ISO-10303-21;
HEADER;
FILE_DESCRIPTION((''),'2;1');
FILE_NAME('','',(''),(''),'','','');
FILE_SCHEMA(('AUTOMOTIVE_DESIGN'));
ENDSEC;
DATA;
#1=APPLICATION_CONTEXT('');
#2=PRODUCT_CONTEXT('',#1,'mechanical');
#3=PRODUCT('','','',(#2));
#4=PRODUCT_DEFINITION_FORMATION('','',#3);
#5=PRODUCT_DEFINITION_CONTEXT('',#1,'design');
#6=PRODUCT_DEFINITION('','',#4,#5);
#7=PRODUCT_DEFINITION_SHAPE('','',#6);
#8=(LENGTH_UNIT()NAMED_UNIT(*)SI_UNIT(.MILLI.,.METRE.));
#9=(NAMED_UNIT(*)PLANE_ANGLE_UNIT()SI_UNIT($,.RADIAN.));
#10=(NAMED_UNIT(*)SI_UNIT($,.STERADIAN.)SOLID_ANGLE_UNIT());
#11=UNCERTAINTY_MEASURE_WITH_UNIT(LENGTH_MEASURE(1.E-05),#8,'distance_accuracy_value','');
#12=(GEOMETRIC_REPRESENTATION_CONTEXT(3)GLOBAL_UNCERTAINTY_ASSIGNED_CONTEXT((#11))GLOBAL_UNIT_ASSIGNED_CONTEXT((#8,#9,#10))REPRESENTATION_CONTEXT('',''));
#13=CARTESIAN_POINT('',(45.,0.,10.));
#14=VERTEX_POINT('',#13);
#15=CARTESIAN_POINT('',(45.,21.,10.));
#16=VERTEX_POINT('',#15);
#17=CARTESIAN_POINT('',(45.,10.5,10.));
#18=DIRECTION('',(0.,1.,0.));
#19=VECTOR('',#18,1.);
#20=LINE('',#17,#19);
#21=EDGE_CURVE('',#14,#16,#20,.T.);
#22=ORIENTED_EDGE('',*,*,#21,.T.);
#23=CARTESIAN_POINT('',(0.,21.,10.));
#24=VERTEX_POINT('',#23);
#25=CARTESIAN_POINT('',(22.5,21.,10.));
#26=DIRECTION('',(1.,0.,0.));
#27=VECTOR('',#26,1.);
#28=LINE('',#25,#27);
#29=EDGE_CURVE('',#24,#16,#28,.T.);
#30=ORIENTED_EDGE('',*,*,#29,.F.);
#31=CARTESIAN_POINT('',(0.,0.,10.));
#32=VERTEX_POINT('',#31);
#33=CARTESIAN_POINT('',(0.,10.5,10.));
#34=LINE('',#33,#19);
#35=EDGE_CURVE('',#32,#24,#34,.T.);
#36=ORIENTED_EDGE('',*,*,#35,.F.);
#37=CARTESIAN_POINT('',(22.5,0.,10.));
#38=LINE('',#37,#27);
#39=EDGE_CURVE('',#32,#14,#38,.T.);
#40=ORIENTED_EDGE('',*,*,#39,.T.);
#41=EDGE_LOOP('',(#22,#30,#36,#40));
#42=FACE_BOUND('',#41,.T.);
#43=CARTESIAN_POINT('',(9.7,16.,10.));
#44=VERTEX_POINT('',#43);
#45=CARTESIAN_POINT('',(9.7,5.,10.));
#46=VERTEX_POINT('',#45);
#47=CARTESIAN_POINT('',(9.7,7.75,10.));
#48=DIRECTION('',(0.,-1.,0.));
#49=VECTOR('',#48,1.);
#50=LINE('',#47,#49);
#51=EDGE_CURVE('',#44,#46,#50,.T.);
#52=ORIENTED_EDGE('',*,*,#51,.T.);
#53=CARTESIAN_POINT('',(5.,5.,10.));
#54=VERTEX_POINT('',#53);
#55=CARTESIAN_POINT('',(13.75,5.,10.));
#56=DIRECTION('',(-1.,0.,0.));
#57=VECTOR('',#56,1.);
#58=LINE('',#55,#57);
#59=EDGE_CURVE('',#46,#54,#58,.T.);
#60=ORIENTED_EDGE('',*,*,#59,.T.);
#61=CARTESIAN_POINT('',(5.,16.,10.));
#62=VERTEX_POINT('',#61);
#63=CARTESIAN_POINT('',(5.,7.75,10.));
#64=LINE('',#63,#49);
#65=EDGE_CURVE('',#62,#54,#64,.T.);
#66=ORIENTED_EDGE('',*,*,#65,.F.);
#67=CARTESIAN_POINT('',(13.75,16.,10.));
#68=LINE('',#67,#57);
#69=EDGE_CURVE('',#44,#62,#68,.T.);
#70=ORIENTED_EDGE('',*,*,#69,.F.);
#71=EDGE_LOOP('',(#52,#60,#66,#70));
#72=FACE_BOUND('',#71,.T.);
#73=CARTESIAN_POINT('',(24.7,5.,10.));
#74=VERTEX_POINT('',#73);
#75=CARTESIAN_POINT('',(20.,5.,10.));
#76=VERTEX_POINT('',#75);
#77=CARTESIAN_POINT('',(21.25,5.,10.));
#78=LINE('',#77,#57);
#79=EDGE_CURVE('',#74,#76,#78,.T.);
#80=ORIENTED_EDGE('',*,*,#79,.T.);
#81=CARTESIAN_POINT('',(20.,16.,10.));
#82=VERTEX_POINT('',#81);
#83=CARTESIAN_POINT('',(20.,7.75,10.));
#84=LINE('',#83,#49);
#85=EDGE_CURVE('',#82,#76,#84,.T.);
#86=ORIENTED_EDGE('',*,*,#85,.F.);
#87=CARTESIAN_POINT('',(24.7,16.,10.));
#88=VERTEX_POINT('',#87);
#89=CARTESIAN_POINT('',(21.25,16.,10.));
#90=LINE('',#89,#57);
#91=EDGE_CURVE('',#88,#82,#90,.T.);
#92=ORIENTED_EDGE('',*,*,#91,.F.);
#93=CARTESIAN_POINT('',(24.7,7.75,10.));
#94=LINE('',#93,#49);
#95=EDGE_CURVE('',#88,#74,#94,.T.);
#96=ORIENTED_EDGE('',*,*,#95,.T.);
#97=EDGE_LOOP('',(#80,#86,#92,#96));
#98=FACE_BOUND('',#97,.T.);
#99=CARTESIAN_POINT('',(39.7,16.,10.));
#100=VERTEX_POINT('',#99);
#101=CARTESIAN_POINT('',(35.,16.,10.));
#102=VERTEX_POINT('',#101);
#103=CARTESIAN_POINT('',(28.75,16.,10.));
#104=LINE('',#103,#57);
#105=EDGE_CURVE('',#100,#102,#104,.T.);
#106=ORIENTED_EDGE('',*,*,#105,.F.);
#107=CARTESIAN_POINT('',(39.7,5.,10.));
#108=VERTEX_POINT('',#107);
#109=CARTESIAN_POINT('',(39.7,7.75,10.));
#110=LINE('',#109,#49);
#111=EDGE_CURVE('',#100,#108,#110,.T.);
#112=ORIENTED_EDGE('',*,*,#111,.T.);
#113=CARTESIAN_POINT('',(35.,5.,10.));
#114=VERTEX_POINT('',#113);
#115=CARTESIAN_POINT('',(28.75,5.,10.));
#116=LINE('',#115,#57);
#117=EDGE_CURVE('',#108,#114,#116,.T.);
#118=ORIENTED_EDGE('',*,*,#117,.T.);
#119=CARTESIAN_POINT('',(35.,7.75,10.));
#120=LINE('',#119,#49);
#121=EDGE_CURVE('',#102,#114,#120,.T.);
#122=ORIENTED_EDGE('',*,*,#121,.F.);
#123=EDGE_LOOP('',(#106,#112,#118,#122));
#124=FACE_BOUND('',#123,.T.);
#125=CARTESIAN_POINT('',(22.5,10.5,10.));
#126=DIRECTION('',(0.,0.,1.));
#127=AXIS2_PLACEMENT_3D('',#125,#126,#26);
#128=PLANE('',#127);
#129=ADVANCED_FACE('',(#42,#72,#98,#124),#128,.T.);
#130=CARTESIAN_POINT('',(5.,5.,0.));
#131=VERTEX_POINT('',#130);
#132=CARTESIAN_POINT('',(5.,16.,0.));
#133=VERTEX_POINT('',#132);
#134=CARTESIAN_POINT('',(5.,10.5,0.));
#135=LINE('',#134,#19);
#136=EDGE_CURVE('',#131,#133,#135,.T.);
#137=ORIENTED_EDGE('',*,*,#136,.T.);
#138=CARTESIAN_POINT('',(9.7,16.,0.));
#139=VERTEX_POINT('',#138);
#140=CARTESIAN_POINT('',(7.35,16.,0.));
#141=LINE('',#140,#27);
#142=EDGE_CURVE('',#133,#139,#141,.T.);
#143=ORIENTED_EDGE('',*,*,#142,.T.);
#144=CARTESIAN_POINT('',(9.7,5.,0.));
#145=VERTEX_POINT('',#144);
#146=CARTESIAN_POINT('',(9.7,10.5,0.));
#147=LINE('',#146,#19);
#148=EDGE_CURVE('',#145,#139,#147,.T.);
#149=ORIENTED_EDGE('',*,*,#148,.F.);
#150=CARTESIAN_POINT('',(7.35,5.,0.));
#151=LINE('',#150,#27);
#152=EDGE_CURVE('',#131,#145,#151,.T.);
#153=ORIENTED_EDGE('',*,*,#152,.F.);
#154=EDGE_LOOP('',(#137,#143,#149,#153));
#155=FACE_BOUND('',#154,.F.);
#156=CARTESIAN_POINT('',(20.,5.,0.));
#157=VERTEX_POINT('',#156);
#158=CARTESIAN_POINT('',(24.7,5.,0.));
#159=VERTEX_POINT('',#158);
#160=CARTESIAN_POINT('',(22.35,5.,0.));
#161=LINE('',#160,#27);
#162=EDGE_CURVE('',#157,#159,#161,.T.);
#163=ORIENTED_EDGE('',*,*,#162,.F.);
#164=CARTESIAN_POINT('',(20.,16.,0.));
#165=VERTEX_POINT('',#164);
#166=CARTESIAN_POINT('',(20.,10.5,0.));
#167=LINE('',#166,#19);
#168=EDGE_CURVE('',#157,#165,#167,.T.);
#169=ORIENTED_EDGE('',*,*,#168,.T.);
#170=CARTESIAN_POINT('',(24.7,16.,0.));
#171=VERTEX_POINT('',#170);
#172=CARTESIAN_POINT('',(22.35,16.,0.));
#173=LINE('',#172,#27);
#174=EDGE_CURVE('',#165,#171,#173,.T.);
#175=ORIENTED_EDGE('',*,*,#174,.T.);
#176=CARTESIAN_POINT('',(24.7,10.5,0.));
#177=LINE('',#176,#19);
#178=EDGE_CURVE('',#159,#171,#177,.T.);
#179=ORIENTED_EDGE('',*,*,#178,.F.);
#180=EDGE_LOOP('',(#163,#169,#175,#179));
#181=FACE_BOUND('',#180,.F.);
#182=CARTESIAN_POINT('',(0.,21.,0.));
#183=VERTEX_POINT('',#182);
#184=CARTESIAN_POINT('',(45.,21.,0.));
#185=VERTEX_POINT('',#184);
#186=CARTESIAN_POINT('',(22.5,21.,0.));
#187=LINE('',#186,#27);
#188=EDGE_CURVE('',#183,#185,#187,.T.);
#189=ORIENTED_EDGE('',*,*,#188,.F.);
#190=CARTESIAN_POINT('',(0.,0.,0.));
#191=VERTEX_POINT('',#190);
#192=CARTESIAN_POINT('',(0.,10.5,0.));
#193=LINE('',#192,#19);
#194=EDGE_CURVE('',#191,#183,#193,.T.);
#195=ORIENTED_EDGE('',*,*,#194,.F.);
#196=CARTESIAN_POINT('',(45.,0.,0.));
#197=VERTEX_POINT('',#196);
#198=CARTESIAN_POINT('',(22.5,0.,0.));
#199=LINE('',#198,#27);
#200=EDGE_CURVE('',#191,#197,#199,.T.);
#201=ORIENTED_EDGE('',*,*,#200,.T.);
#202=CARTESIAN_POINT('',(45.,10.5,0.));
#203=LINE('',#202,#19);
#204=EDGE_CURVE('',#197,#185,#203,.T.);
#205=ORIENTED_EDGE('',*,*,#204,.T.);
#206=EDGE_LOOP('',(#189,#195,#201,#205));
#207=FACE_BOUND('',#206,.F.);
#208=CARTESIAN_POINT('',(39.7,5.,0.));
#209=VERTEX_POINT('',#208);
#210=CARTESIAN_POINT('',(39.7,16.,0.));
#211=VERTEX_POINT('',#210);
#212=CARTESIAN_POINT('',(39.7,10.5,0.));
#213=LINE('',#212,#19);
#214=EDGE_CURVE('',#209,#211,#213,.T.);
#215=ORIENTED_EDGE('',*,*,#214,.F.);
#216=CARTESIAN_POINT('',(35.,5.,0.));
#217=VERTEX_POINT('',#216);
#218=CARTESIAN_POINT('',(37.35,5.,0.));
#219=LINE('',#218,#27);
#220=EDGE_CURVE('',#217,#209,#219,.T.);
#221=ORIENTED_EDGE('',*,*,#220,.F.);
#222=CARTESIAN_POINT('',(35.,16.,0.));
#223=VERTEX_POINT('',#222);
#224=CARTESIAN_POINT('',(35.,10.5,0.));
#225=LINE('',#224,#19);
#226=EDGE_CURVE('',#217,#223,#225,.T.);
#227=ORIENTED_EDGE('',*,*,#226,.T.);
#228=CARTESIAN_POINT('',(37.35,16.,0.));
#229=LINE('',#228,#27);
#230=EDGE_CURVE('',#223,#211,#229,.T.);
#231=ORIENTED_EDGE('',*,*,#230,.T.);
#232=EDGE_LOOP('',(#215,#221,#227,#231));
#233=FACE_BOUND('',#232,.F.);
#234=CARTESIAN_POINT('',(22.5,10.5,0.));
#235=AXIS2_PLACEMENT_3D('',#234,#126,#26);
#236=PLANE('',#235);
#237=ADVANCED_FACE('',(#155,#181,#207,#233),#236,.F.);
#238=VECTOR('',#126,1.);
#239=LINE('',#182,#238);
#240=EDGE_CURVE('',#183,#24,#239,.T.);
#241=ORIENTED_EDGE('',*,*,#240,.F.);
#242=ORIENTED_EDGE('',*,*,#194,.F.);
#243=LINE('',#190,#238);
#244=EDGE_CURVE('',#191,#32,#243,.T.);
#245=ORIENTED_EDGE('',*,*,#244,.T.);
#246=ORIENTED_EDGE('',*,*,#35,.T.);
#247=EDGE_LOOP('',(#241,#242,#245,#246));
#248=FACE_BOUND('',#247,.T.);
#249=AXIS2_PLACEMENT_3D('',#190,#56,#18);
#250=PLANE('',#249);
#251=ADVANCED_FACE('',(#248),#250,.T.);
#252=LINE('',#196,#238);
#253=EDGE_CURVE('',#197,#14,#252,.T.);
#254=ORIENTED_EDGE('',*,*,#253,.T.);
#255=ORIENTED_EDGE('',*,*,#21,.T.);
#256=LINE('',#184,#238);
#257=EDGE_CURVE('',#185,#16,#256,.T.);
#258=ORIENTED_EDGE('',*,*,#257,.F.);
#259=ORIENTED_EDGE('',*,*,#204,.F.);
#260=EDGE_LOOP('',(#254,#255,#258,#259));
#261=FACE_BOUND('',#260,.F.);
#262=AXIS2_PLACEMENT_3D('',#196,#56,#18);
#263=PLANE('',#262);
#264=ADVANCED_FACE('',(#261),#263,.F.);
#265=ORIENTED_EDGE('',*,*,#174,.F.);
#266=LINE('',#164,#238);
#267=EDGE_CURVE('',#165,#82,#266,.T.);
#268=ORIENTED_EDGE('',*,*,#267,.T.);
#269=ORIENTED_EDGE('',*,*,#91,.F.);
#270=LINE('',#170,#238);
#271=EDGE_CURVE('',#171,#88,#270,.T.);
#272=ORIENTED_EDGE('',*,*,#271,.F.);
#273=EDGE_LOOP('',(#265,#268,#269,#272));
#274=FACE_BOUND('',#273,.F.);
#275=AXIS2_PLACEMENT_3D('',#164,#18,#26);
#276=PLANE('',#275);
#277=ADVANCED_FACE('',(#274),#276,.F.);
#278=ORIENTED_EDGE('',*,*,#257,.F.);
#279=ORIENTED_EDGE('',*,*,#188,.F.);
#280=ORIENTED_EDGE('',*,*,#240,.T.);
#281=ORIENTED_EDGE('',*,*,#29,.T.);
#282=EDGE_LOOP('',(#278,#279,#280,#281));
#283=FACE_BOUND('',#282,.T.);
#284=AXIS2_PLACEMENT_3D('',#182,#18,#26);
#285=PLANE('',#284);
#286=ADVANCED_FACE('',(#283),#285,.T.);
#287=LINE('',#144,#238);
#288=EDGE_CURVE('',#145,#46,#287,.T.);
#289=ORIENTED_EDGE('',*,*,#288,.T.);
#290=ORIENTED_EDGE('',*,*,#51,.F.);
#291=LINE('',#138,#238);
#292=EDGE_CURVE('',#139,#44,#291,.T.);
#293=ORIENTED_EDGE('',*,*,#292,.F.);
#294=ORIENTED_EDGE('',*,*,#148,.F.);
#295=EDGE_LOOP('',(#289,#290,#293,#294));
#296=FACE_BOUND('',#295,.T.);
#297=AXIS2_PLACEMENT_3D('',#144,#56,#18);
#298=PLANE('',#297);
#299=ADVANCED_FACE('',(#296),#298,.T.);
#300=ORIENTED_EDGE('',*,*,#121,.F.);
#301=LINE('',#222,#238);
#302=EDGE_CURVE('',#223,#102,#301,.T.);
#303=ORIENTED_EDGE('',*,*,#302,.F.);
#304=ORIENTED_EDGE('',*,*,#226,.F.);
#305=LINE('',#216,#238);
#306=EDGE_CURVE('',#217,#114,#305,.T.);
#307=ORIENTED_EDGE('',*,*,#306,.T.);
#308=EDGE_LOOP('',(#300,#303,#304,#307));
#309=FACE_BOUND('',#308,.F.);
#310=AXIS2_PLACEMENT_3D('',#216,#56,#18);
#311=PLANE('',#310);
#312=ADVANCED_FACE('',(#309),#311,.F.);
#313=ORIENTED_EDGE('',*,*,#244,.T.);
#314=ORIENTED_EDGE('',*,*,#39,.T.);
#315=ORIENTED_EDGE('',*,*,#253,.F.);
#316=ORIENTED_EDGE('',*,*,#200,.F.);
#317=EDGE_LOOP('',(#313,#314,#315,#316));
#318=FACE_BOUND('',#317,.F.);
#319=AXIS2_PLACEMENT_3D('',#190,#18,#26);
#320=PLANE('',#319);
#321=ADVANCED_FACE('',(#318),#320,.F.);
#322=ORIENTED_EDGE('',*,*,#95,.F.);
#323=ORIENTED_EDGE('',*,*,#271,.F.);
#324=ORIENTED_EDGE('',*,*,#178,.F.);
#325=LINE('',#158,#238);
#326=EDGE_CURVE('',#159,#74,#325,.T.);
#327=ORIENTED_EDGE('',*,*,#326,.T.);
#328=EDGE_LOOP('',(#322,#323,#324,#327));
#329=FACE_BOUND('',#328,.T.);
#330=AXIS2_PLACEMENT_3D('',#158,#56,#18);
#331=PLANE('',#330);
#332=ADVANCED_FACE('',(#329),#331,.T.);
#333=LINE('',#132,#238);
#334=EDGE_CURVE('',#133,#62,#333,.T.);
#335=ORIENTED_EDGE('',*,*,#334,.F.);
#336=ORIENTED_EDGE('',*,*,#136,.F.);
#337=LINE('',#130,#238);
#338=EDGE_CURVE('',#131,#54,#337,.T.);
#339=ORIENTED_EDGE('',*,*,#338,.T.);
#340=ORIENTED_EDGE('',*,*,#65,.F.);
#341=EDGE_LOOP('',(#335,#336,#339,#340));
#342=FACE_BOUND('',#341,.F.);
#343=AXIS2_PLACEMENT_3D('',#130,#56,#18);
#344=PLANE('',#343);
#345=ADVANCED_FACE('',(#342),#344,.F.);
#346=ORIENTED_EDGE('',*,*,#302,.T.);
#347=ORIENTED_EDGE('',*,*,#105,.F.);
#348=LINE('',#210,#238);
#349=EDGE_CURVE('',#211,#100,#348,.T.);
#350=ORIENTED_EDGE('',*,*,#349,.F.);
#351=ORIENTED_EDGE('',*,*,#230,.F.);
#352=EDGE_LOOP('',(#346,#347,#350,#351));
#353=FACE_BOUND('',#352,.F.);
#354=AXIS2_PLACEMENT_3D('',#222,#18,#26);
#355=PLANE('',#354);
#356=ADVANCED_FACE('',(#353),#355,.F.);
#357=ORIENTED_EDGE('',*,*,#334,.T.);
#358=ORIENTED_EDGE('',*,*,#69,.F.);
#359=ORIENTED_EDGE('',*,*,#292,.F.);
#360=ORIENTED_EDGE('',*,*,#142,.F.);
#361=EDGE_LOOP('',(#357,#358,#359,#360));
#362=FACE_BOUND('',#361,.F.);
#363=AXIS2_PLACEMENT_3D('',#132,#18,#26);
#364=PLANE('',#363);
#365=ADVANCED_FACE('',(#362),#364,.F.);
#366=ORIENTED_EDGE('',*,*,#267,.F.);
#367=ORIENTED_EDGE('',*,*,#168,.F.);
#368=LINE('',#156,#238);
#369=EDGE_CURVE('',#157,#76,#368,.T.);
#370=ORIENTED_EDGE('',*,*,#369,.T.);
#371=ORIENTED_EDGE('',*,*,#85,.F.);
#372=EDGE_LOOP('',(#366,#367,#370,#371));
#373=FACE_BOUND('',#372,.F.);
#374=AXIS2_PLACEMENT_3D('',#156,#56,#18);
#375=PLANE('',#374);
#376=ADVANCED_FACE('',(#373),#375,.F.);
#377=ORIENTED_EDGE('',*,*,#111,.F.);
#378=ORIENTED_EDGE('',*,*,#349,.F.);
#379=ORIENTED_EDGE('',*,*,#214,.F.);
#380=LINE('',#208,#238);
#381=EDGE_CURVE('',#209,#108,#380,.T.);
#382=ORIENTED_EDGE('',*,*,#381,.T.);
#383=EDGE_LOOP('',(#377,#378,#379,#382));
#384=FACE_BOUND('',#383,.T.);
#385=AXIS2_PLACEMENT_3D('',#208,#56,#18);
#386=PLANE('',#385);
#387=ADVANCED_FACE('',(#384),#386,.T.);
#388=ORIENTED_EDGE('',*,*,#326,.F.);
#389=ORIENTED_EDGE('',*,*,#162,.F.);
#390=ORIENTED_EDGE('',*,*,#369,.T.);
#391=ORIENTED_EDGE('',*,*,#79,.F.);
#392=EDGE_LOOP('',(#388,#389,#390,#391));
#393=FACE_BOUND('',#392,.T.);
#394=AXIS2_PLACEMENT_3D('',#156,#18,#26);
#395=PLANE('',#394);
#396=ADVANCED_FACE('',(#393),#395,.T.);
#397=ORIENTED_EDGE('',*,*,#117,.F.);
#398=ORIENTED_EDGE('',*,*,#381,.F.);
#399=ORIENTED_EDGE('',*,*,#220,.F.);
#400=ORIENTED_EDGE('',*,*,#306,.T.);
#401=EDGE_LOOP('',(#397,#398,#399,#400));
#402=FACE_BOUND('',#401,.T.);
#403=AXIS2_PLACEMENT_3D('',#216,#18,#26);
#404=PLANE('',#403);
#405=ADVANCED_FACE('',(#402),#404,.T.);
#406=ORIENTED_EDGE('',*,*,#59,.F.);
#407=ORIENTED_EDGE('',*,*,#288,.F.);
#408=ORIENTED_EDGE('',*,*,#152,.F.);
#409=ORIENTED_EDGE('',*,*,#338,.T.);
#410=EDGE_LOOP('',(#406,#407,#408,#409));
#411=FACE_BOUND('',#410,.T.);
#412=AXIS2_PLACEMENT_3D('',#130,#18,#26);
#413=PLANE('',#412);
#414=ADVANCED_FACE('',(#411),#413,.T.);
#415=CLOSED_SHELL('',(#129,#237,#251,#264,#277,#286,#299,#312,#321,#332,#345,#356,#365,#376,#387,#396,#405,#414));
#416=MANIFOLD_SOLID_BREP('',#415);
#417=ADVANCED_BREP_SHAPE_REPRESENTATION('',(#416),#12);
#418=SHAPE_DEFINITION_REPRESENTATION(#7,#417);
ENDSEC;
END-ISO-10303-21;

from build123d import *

# Parameters (mm, degrees)
BOX_W        = 4.7
BOX_H        = 11
BOX_DEPTH    = 12
BOX002_W     = 4.7
BOX002_H     = 11
BOX002_DEPTH = 12
BOX001_W     = 4.7
BOX001_H     = 11
BOX001_DEPTH = 12
BOX003_W     = 45
BOX003_H     = 21
BOX003_DEPTH = 10


with BuildPart() as ranura1:
    # Box → Box (new body)
    with BuildSketch(Plane.XY):
        with Locations((2.35, 5.5)):
            Rectangle(BOX_W, BOX_H)
    extrude(amount=BOX_DEPTH)


with BuildPart() as ranura003:
    # Box002 → Box002 (new body)
    with BuildSketch(Plane(origin=(30, 0, 0), x_dir=(1, 0, 0), z_dir=(0, 0, 1))):
        with Locations((2.35, 5.5)):
            Rectangle(BOX002_W, BOX002_H)
    extrude(amount=BOX002_DEPTH)


with BuildPart() as ranuras:
    # Box001 → Box001 (new body)
    with BuildSketch(Plane(origin=(15, 0, 0), x_dir=(1, 0, 0), z_dir=(0, 0, 1))):
        with Locations((2.35, 5.5)):
            Rectangle(BOX001_W, BOX001_H)
    extrude(amount=BOX001_DEPTH)

    # Fusion: union Ranura1, Ranura003
    add(ranura1.part)
    add(ranura003.part)


with BuildPart() as ranuras_1:
    # Fusion placement: moved
    add(ranuras.part.moved(Location((5, 5, 0))))


with BuildPart() as cut:
    # Box003 → Box003 (new body)
    with BuildSketch(Plane.XY):
        with Locations((22.5, 10.5)):
            Rectangle(BOX003_W, BOX003_H)
    extrude(amount=BOX003_DEPTH)

    # Cut: cut Ranuras
    add(ranuras_1.part, mode=Mode.SUBTRACT)


solid = cut.part
